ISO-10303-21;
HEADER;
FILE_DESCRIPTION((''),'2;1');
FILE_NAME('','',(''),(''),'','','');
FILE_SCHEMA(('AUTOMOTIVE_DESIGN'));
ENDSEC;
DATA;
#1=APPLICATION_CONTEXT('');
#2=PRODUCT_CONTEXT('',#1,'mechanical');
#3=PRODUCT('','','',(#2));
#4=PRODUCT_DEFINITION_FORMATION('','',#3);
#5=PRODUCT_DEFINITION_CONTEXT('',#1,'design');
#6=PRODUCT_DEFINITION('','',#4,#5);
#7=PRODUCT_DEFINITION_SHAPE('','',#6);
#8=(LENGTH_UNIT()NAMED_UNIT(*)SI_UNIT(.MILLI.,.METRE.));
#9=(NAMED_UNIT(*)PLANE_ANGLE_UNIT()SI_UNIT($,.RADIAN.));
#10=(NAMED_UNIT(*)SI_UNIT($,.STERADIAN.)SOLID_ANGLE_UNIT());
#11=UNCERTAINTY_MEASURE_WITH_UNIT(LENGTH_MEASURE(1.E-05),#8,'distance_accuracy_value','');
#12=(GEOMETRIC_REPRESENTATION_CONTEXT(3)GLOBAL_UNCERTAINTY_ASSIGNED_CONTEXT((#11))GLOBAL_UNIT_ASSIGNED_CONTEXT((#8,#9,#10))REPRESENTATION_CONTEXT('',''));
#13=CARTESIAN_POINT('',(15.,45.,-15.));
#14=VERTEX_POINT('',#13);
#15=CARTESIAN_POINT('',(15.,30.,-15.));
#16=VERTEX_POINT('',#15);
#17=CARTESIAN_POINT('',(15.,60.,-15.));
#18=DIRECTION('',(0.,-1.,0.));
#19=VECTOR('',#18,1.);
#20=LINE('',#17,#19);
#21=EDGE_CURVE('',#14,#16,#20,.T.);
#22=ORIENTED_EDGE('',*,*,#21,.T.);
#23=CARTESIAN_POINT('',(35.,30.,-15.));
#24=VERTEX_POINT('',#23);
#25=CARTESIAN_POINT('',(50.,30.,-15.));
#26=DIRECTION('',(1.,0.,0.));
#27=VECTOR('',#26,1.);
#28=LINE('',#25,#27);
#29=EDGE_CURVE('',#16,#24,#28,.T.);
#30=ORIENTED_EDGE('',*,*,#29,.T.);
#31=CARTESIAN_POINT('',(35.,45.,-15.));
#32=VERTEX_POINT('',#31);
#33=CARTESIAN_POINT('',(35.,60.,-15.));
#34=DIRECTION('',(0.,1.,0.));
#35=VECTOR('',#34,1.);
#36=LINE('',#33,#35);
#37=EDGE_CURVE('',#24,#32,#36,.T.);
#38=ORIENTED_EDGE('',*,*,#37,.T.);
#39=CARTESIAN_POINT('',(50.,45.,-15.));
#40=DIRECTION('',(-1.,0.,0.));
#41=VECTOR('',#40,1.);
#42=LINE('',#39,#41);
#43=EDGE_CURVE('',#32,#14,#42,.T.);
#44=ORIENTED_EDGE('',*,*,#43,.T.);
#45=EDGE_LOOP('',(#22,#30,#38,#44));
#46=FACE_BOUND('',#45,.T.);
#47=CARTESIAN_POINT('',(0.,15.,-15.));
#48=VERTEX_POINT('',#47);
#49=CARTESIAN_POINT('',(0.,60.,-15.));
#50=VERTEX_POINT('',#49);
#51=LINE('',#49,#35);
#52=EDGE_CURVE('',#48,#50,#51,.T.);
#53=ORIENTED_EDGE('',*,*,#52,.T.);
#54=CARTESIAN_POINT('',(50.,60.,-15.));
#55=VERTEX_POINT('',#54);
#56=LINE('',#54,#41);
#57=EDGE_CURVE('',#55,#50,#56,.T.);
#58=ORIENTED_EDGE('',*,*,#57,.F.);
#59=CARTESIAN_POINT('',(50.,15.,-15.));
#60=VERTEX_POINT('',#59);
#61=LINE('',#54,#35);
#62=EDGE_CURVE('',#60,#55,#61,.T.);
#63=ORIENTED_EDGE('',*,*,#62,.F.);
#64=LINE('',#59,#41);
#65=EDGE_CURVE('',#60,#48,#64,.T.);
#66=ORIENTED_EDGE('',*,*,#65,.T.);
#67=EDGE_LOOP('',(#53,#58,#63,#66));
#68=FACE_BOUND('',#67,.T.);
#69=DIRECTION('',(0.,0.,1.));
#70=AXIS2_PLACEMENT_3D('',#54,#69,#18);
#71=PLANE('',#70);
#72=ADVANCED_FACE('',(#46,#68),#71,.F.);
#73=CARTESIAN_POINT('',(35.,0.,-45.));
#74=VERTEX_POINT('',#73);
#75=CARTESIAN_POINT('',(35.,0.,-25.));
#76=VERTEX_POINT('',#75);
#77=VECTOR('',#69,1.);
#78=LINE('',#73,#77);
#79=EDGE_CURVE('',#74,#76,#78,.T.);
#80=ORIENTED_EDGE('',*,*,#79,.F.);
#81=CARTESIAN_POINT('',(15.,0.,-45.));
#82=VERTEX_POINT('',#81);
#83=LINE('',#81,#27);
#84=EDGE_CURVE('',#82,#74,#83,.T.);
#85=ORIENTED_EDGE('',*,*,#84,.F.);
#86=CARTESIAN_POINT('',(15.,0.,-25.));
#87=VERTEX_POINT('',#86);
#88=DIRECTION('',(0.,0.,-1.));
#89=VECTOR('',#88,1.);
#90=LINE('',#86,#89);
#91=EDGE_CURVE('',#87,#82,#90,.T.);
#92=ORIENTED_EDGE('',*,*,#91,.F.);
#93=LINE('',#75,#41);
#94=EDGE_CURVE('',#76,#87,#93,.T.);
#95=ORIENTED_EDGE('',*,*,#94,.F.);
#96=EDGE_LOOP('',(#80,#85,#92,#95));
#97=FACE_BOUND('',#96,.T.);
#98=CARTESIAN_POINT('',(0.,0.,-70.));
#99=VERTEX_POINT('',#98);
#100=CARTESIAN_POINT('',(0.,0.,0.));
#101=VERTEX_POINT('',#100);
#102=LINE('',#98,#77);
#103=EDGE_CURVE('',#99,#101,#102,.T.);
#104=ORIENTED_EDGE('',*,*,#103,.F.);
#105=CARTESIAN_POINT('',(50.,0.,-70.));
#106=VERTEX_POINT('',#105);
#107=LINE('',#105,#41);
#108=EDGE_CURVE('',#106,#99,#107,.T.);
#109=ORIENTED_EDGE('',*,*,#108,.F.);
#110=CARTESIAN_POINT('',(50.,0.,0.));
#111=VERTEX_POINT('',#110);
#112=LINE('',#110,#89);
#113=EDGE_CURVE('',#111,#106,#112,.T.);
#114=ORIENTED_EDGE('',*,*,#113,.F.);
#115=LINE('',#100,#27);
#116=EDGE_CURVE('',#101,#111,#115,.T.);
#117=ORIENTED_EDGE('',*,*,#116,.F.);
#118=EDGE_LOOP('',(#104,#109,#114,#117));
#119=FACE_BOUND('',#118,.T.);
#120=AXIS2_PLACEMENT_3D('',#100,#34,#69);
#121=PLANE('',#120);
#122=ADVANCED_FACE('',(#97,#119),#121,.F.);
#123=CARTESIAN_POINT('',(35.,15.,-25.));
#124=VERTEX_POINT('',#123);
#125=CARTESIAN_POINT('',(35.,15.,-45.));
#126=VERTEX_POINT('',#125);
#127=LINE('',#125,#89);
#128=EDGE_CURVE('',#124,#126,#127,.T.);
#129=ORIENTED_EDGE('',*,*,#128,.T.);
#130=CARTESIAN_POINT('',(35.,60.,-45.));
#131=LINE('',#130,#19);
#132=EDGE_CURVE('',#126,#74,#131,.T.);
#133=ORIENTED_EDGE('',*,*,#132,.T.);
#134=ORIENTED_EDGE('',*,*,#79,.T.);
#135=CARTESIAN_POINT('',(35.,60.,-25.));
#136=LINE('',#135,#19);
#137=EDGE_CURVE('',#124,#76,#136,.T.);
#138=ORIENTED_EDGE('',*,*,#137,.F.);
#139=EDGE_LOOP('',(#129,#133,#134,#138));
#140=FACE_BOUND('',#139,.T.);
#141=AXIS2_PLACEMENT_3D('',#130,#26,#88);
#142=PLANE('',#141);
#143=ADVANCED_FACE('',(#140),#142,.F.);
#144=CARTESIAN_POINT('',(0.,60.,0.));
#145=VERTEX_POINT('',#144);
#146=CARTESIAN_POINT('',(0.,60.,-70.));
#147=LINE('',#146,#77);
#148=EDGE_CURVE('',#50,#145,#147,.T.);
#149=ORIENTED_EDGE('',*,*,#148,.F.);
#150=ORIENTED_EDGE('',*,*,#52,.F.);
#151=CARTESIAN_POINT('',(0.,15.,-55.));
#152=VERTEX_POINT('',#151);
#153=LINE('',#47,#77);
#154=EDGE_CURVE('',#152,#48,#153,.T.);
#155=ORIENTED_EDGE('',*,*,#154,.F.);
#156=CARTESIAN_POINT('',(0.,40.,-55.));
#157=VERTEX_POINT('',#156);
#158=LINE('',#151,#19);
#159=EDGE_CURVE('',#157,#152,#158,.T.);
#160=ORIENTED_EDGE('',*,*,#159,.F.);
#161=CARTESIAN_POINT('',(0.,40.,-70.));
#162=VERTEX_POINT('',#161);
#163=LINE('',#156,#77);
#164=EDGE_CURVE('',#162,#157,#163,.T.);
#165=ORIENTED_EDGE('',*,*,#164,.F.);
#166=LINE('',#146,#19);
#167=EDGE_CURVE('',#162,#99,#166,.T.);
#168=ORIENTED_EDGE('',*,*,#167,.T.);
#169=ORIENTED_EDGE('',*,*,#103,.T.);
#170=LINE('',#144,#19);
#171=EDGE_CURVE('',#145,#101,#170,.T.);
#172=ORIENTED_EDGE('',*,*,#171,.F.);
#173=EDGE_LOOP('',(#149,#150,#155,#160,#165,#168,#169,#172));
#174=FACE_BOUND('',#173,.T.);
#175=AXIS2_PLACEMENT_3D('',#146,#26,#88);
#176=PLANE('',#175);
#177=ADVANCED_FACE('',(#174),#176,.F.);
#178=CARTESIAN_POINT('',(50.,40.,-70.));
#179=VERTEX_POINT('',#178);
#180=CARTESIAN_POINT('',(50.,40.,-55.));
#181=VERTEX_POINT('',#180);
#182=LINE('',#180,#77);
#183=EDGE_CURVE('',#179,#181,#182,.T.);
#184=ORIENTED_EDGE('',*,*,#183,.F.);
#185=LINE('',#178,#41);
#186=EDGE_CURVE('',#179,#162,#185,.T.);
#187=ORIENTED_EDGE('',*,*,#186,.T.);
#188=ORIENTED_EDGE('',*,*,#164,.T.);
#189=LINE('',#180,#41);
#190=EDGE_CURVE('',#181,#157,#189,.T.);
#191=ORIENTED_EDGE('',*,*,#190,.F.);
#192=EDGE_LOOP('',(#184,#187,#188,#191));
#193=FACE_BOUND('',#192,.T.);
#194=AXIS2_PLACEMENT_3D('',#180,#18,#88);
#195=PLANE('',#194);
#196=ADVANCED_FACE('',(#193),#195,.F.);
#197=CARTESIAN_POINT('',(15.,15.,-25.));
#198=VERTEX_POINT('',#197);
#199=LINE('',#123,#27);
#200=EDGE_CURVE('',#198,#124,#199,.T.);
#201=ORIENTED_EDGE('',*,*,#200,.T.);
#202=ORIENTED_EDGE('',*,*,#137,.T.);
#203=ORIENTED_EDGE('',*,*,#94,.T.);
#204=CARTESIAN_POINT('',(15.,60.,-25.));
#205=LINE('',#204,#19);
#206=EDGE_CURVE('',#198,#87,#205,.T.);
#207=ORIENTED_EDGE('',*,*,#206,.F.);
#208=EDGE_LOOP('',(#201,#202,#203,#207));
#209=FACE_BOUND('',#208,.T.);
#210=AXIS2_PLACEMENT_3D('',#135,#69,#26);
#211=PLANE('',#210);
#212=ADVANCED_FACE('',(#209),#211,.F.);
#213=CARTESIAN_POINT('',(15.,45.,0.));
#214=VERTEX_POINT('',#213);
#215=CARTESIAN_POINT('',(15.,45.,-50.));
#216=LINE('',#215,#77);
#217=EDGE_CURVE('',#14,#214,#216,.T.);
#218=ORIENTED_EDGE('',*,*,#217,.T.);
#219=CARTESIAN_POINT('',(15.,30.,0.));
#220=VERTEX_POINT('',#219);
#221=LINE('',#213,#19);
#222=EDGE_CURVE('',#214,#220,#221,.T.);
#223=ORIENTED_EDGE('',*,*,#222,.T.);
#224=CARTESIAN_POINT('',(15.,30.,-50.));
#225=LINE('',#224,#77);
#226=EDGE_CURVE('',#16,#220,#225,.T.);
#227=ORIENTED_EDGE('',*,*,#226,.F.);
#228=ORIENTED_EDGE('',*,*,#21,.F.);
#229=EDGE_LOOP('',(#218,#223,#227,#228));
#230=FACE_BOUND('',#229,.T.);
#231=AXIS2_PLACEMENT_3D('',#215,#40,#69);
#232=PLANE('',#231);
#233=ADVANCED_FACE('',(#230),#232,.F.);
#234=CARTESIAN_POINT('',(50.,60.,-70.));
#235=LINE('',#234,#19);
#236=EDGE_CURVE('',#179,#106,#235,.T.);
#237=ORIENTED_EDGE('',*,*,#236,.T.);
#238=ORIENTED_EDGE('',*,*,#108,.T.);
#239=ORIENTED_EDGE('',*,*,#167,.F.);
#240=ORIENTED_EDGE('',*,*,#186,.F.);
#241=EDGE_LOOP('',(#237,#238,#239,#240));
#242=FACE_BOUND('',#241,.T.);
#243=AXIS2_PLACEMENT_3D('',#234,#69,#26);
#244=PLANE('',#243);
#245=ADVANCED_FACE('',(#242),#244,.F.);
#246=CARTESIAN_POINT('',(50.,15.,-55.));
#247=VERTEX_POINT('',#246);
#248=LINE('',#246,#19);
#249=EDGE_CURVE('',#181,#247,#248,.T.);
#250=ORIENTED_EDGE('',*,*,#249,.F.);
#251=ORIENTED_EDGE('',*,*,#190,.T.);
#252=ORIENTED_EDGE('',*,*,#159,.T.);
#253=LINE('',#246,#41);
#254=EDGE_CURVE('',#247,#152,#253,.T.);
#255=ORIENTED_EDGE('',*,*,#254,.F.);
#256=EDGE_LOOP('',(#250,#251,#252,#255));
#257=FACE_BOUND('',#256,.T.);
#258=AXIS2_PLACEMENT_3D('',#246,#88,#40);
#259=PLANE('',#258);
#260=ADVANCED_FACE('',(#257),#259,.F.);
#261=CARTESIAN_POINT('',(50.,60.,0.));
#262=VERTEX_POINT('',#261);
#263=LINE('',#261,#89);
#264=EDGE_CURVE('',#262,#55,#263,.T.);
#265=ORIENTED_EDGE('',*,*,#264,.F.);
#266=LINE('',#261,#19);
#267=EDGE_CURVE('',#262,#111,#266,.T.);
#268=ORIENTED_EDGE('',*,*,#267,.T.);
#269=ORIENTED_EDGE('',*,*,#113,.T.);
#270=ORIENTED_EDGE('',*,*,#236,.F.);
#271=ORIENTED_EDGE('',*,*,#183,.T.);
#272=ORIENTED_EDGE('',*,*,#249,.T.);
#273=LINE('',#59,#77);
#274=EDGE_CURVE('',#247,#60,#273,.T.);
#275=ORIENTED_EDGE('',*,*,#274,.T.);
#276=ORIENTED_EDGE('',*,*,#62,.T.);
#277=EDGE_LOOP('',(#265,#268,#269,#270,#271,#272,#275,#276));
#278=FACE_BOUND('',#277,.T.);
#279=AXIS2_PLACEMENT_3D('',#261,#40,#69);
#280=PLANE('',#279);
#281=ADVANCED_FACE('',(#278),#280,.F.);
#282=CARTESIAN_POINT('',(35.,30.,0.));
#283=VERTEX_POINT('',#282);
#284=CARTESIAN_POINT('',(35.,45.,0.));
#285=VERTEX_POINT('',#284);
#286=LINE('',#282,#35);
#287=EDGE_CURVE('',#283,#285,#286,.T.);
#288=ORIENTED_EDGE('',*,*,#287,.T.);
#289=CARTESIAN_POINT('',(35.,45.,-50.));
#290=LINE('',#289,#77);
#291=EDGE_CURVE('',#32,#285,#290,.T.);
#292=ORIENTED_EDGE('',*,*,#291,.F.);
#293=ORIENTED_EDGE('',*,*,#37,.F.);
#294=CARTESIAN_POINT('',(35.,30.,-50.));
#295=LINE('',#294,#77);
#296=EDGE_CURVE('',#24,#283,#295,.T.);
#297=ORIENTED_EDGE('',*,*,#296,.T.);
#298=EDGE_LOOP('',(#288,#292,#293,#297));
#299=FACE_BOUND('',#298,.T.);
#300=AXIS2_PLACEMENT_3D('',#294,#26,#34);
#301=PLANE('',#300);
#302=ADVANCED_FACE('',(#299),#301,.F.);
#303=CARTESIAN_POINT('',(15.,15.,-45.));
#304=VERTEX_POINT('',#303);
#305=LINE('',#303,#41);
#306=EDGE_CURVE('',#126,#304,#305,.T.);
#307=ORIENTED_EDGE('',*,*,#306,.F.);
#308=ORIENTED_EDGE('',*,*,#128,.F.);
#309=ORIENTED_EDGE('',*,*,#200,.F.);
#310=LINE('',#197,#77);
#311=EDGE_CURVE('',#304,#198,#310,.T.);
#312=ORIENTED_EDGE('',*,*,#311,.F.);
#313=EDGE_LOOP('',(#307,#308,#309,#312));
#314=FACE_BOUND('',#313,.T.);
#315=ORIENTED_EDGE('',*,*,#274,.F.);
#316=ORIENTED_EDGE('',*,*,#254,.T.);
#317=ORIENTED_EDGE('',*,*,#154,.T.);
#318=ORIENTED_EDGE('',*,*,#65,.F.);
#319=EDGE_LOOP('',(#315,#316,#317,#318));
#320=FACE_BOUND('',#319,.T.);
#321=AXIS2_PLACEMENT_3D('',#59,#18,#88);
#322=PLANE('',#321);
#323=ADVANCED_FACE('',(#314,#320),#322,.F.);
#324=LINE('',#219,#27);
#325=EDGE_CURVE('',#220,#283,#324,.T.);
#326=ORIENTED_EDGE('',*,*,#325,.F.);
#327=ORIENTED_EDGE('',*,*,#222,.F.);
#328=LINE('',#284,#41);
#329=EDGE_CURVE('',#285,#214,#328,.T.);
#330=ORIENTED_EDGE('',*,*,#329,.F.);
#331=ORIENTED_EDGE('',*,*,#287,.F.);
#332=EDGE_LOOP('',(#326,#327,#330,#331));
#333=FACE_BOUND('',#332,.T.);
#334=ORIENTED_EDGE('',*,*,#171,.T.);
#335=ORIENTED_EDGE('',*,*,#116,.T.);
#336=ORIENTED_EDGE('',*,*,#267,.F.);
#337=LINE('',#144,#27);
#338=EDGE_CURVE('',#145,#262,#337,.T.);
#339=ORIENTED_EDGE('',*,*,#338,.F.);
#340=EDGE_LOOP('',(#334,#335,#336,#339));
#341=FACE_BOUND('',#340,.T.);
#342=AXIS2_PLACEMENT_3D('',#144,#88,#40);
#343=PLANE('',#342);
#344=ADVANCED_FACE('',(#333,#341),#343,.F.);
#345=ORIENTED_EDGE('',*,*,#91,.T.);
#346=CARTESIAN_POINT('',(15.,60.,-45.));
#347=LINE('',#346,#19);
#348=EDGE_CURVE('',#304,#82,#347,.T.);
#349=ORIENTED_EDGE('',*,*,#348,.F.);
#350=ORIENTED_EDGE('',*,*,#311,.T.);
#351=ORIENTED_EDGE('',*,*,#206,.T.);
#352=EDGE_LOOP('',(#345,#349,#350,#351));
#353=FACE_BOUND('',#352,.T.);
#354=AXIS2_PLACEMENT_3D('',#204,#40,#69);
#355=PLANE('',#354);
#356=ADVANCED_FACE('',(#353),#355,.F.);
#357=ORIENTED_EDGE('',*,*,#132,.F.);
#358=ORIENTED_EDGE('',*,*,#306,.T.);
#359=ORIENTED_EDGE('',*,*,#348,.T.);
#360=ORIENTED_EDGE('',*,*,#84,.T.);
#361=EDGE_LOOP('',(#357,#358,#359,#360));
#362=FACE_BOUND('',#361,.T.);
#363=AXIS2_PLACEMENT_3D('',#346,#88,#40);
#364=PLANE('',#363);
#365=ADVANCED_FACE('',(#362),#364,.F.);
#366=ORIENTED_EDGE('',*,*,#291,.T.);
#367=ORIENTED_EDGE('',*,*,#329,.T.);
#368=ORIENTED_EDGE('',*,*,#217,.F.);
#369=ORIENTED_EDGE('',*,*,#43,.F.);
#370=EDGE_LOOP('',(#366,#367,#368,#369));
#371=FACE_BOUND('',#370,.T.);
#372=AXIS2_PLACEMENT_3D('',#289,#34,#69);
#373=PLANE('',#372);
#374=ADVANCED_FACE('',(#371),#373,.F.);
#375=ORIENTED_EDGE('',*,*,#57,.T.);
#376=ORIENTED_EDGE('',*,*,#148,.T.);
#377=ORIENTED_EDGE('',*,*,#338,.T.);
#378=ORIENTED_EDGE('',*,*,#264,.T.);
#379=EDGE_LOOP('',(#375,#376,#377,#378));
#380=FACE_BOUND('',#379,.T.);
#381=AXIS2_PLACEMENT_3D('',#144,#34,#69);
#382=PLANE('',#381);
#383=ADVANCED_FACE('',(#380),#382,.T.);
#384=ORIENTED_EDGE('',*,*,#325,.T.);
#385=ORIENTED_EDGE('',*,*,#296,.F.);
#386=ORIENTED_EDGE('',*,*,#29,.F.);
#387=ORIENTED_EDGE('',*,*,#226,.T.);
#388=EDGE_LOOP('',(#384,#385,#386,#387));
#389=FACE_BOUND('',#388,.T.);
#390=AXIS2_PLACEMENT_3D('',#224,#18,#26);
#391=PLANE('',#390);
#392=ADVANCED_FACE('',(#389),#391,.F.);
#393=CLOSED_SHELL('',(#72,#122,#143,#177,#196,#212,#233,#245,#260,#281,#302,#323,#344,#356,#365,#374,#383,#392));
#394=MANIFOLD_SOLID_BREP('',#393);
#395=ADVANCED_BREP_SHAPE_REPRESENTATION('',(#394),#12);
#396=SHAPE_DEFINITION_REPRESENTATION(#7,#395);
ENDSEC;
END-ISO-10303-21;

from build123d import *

# Parameters (mm, degrees)
SKETCH1_W           = 50
SKETCH1_H           = 70
BOSS_EXTRUDE1_DEPTH = 60
SKETCH2_W           = 20
SKETCH2_H           = 20
CUT_EXTRUDE1_DEPTH  = 60
CUT_EXTRUDE2_DEPTH  = 50
SKETCH4_W           = 20
SKETCH4_H           = 15
CUT_EXTRUDE3_DEPTH  = 50


with BuildPart() as part:
    # Sketch1 → Boss-Extrude1 (new body)
    with BuildSketch(Plane(origin=(0, 0, 0), x_dir=(1, 0, 0), z_dir=(0, 1, 0))):
        with Locations((25, 35)):
            Rectangle(SKETCH1_W, SKETCH1_H)
    extrude(amount=BOSS_EXTRUDE1_DEPTH)

    # Sketch2 → Cut-Extrude1 (cut)
    with BuildSketch(Plane.XZ):
        with Locations((25, -35)):
            Rectangle(SKETCH2_W, SKETCH2_H)
    extrude(amount=-CUT_EXTRUDE1_DEPTH, mode=Mode.SUBTRACT)

    # Sketch3 → Cut-Extrude2 (cut)
    with BuildSketch(Plane.ZY):
        Polygon((-15, 60), (-15, 15), (-55, 15), (-55, 40), (-70, 40), (-70, 60), align=None)
    extrude(amount=-CUT_EXTRUDE2_DEPTH, mode=Mode.SUBTRACT)

    # Sketch4 → Cut-Extrude3 (cut)
    with BuildSketch(Plane.XY):
        with Locations((25, 37.5)):
            Rectangle(SKETCH4_W, SKETCH4_H)
    extrude(amount=-CUT_EXTRUDE3_DEPTH, mode=Mode.SUBTRACT)


solid = part.part
